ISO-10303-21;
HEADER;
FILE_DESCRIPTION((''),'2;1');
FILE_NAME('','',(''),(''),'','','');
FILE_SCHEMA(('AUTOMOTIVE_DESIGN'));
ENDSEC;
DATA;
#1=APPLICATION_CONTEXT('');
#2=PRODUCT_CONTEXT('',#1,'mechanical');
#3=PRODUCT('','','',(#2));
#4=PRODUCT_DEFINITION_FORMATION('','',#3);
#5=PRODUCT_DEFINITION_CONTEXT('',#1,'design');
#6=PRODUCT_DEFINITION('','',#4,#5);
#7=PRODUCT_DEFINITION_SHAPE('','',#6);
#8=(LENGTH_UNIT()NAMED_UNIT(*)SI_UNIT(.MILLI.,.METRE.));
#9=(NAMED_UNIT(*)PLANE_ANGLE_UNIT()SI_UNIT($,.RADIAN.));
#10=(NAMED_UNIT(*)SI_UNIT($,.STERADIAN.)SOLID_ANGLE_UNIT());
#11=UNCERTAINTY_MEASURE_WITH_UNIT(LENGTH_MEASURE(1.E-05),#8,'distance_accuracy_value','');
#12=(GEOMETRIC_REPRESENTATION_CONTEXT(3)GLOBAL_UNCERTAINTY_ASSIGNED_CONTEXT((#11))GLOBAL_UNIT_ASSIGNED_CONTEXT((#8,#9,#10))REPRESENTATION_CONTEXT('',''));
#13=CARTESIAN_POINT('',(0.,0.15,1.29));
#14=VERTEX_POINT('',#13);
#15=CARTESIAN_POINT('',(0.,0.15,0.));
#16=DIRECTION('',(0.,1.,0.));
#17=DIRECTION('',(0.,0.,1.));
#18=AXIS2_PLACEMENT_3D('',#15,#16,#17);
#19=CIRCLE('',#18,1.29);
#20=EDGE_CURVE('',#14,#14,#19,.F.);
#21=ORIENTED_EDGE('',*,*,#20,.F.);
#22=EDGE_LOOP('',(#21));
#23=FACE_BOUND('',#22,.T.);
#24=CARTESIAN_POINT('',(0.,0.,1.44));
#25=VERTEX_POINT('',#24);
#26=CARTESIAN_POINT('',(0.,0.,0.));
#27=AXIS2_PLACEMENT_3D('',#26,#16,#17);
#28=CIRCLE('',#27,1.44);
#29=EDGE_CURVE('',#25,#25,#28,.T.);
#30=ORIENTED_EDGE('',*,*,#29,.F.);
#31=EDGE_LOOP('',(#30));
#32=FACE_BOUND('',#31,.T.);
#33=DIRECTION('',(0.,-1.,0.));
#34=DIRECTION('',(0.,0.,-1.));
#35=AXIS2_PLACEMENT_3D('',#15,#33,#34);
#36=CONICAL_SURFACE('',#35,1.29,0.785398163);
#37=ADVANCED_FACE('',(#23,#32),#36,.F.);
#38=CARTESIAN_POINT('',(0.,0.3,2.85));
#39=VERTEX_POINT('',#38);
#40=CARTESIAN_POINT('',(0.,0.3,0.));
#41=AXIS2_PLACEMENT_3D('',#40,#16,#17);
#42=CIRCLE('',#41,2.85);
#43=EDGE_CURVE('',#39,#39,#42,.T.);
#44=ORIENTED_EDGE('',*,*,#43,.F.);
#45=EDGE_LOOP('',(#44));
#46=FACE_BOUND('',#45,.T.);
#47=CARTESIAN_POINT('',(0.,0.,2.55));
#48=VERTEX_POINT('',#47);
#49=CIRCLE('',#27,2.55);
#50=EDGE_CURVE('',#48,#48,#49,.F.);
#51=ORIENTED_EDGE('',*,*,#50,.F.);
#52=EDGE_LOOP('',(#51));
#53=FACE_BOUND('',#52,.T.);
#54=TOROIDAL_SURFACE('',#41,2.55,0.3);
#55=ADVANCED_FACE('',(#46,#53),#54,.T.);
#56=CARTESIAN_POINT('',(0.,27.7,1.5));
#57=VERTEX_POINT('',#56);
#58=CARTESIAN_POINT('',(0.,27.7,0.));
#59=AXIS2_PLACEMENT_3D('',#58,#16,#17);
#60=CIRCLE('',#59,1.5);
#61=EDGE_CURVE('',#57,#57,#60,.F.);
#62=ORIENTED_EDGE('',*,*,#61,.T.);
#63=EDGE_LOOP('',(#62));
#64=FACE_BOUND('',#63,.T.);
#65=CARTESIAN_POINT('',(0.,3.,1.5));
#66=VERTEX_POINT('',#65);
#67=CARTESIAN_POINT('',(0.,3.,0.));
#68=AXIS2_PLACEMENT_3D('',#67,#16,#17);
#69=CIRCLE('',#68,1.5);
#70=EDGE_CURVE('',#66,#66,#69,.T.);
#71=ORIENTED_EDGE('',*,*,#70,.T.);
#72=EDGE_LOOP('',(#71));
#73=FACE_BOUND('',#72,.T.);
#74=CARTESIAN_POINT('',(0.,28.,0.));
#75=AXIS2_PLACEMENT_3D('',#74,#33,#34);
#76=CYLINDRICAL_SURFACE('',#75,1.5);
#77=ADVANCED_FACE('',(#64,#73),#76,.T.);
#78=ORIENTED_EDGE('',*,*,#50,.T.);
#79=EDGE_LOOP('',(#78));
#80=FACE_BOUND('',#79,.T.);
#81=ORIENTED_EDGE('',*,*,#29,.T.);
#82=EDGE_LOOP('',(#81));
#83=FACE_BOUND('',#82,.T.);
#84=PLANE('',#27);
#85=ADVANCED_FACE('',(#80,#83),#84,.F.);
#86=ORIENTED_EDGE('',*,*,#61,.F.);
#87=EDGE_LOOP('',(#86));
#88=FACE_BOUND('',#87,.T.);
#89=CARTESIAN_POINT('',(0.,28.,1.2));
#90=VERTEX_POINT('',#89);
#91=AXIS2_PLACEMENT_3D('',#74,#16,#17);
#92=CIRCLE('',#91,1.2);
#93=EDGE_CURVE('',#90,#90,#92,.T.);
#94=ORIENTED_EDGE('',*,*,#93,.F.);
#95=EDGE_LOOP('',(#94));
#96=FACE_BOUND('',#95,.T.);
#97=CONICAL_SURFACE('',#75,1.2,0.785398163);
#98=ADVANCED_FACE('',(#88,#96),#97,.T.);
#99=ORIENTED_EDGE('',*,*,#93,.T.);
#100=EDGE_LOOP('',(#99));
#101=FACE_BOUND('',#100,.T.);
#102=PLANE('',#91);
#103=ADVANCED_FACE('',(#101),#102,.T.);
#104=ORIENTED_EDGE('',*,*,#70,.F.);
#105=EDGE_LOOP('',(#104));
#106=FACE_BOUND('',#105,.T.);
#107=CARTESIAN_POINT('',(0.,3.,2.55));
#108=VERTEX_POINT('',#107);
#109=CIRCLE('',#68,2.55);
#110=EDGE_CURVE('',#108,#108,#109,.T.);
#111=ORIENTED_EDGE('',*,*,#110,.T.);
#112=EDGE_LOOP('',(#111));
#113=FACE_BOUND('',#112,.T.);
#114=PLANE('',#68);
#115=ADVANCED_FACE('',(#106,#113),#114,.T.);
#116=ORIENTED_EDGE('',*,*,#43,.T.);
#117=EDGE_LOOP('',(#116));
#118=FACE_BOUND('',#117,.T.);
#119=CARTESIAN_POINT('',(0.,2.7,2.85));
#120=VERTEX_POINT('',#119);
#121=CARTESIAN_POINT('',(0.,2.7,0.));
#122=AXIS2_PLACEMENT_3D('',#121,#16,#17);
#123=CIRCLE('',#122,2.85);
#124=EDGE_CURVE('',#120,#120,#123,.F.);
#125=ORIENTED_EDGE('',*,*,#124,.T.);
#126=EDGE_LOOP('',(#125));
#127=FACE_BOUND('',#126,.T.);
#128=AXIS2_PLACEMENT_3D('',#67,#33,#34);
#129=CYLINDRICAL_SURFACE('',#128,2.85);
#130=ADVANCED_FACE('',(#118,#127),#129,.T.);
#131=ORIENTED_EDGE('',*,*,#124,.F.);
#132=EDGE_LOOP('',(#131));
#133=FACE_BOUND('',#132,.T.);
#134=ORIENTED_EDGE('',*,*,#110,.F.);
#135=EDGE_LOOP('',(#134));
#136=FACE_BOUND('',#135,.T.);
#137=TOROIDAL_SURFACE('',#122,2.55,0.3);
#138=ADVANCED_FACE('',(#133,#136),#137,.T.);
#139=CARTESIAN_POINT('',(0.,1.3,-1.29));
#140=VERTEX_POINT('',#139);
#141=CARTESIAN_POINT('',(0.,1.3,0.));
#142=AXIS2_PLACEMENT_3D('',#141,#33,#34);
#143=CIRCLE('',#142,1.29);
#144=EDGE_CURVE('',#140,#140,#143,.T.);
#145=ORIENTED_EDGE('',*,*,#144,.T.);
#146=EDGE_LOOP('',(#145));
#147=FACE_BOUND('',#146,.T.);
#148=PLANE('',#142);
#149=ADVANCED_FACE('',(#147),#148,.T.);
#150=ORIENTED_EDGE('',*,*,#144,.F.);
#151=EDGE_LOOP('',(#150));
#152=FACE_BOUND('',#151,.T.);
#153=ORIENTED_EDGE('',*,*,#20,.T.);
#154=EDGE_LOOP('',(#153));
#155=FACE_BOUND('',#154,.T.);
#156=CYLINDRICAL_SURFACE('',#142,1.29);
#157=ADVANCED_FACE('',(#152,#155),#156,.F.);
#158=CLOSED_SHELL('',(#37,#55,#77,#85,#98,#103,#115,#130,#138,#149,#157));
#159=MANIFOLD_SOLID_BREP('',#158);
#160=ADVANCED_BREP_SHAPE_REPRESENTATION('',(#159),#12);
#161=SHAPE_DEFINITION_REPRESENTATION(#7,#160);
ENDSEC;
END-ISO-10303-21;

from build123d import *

# Parameters (mm, degrees)
SKETCH_1_R          = 2.85
EXTRUDE_1_DEPTH     = 3
SKETCH_2_R          = 1.5
EXTRUDE_2_DEPTH     = 25
SKETCH_3_R          = 1.29
CUT_EXTRUDE_1_DEPTH = 1.3
FILLET_1_R          = 0.3
CHAMFER_1_SIZE      = 0.3
CHAMFER_2_SIZE      = 0.15


with BuildPart() as part:
    # 草图1 → 凸台-拉伸1 (new body)
    with BuildSketch(Plane(origin=(0, 0, 0), x_dir=(1, 0, 0), z_dir=(0, 1, 0))):
        with Locations(Location((0, 0, 0), (0, 0, 270))):
            Circle(SKETCH_1_R)
    extrude(amount=EXTRUDE_1_DEPTH)

    # 草图2 → 凸台-拉伸2 (add)
    with BuildSketch(Plane(origin=(0, 3, 0), x_dir=(1, 0, 0), z_dir=(0, 1, 0))):
        with Locations(Location((0, 0, 0), (0, 0, 270))):
            Circle(SKETCH_2_R)
    extrude(amount=EXTRUDE_2_DEPTH)

    # 草图3 → 切除-拉伸1 (cut)
    with BuildSketch(Plane.XZ):
        with Locations(Location((0, 0, 0), (0, 0, 270))):
            Circle(SKETCH_3_R)
    extrude(amount=-CUT_EXTRUDE_1_DEPTH, mode=Mode.SUBTRACT)

    # 圆角1
    fillet_1_edges = [part.edges().sort_by_distance(p)[0] for p in [
        (0, 0, -2.85),
        (0, 3, -2.85),
    ]]
    fillet(fillet_1_edges, radius=FILLET_1_R)

    # 倒角1
    chamfer_1_edges = [part.edges().sort_by_distance(p)[0] for p in [
        (0, 28, -1.5),
    ]]
    chamfer(chamfer_1_edges, length=CHAMFER_1_SIZE)

    # 倒角2
    chamfer_2_edges = [part.edges().sort_by_distance(p)[0] for p in [
        (0, 0, 1.29),
    ]]
    chamfer(chamfer_2_edges, length=CHAMFER_2_SIZE)


solid = part.part
